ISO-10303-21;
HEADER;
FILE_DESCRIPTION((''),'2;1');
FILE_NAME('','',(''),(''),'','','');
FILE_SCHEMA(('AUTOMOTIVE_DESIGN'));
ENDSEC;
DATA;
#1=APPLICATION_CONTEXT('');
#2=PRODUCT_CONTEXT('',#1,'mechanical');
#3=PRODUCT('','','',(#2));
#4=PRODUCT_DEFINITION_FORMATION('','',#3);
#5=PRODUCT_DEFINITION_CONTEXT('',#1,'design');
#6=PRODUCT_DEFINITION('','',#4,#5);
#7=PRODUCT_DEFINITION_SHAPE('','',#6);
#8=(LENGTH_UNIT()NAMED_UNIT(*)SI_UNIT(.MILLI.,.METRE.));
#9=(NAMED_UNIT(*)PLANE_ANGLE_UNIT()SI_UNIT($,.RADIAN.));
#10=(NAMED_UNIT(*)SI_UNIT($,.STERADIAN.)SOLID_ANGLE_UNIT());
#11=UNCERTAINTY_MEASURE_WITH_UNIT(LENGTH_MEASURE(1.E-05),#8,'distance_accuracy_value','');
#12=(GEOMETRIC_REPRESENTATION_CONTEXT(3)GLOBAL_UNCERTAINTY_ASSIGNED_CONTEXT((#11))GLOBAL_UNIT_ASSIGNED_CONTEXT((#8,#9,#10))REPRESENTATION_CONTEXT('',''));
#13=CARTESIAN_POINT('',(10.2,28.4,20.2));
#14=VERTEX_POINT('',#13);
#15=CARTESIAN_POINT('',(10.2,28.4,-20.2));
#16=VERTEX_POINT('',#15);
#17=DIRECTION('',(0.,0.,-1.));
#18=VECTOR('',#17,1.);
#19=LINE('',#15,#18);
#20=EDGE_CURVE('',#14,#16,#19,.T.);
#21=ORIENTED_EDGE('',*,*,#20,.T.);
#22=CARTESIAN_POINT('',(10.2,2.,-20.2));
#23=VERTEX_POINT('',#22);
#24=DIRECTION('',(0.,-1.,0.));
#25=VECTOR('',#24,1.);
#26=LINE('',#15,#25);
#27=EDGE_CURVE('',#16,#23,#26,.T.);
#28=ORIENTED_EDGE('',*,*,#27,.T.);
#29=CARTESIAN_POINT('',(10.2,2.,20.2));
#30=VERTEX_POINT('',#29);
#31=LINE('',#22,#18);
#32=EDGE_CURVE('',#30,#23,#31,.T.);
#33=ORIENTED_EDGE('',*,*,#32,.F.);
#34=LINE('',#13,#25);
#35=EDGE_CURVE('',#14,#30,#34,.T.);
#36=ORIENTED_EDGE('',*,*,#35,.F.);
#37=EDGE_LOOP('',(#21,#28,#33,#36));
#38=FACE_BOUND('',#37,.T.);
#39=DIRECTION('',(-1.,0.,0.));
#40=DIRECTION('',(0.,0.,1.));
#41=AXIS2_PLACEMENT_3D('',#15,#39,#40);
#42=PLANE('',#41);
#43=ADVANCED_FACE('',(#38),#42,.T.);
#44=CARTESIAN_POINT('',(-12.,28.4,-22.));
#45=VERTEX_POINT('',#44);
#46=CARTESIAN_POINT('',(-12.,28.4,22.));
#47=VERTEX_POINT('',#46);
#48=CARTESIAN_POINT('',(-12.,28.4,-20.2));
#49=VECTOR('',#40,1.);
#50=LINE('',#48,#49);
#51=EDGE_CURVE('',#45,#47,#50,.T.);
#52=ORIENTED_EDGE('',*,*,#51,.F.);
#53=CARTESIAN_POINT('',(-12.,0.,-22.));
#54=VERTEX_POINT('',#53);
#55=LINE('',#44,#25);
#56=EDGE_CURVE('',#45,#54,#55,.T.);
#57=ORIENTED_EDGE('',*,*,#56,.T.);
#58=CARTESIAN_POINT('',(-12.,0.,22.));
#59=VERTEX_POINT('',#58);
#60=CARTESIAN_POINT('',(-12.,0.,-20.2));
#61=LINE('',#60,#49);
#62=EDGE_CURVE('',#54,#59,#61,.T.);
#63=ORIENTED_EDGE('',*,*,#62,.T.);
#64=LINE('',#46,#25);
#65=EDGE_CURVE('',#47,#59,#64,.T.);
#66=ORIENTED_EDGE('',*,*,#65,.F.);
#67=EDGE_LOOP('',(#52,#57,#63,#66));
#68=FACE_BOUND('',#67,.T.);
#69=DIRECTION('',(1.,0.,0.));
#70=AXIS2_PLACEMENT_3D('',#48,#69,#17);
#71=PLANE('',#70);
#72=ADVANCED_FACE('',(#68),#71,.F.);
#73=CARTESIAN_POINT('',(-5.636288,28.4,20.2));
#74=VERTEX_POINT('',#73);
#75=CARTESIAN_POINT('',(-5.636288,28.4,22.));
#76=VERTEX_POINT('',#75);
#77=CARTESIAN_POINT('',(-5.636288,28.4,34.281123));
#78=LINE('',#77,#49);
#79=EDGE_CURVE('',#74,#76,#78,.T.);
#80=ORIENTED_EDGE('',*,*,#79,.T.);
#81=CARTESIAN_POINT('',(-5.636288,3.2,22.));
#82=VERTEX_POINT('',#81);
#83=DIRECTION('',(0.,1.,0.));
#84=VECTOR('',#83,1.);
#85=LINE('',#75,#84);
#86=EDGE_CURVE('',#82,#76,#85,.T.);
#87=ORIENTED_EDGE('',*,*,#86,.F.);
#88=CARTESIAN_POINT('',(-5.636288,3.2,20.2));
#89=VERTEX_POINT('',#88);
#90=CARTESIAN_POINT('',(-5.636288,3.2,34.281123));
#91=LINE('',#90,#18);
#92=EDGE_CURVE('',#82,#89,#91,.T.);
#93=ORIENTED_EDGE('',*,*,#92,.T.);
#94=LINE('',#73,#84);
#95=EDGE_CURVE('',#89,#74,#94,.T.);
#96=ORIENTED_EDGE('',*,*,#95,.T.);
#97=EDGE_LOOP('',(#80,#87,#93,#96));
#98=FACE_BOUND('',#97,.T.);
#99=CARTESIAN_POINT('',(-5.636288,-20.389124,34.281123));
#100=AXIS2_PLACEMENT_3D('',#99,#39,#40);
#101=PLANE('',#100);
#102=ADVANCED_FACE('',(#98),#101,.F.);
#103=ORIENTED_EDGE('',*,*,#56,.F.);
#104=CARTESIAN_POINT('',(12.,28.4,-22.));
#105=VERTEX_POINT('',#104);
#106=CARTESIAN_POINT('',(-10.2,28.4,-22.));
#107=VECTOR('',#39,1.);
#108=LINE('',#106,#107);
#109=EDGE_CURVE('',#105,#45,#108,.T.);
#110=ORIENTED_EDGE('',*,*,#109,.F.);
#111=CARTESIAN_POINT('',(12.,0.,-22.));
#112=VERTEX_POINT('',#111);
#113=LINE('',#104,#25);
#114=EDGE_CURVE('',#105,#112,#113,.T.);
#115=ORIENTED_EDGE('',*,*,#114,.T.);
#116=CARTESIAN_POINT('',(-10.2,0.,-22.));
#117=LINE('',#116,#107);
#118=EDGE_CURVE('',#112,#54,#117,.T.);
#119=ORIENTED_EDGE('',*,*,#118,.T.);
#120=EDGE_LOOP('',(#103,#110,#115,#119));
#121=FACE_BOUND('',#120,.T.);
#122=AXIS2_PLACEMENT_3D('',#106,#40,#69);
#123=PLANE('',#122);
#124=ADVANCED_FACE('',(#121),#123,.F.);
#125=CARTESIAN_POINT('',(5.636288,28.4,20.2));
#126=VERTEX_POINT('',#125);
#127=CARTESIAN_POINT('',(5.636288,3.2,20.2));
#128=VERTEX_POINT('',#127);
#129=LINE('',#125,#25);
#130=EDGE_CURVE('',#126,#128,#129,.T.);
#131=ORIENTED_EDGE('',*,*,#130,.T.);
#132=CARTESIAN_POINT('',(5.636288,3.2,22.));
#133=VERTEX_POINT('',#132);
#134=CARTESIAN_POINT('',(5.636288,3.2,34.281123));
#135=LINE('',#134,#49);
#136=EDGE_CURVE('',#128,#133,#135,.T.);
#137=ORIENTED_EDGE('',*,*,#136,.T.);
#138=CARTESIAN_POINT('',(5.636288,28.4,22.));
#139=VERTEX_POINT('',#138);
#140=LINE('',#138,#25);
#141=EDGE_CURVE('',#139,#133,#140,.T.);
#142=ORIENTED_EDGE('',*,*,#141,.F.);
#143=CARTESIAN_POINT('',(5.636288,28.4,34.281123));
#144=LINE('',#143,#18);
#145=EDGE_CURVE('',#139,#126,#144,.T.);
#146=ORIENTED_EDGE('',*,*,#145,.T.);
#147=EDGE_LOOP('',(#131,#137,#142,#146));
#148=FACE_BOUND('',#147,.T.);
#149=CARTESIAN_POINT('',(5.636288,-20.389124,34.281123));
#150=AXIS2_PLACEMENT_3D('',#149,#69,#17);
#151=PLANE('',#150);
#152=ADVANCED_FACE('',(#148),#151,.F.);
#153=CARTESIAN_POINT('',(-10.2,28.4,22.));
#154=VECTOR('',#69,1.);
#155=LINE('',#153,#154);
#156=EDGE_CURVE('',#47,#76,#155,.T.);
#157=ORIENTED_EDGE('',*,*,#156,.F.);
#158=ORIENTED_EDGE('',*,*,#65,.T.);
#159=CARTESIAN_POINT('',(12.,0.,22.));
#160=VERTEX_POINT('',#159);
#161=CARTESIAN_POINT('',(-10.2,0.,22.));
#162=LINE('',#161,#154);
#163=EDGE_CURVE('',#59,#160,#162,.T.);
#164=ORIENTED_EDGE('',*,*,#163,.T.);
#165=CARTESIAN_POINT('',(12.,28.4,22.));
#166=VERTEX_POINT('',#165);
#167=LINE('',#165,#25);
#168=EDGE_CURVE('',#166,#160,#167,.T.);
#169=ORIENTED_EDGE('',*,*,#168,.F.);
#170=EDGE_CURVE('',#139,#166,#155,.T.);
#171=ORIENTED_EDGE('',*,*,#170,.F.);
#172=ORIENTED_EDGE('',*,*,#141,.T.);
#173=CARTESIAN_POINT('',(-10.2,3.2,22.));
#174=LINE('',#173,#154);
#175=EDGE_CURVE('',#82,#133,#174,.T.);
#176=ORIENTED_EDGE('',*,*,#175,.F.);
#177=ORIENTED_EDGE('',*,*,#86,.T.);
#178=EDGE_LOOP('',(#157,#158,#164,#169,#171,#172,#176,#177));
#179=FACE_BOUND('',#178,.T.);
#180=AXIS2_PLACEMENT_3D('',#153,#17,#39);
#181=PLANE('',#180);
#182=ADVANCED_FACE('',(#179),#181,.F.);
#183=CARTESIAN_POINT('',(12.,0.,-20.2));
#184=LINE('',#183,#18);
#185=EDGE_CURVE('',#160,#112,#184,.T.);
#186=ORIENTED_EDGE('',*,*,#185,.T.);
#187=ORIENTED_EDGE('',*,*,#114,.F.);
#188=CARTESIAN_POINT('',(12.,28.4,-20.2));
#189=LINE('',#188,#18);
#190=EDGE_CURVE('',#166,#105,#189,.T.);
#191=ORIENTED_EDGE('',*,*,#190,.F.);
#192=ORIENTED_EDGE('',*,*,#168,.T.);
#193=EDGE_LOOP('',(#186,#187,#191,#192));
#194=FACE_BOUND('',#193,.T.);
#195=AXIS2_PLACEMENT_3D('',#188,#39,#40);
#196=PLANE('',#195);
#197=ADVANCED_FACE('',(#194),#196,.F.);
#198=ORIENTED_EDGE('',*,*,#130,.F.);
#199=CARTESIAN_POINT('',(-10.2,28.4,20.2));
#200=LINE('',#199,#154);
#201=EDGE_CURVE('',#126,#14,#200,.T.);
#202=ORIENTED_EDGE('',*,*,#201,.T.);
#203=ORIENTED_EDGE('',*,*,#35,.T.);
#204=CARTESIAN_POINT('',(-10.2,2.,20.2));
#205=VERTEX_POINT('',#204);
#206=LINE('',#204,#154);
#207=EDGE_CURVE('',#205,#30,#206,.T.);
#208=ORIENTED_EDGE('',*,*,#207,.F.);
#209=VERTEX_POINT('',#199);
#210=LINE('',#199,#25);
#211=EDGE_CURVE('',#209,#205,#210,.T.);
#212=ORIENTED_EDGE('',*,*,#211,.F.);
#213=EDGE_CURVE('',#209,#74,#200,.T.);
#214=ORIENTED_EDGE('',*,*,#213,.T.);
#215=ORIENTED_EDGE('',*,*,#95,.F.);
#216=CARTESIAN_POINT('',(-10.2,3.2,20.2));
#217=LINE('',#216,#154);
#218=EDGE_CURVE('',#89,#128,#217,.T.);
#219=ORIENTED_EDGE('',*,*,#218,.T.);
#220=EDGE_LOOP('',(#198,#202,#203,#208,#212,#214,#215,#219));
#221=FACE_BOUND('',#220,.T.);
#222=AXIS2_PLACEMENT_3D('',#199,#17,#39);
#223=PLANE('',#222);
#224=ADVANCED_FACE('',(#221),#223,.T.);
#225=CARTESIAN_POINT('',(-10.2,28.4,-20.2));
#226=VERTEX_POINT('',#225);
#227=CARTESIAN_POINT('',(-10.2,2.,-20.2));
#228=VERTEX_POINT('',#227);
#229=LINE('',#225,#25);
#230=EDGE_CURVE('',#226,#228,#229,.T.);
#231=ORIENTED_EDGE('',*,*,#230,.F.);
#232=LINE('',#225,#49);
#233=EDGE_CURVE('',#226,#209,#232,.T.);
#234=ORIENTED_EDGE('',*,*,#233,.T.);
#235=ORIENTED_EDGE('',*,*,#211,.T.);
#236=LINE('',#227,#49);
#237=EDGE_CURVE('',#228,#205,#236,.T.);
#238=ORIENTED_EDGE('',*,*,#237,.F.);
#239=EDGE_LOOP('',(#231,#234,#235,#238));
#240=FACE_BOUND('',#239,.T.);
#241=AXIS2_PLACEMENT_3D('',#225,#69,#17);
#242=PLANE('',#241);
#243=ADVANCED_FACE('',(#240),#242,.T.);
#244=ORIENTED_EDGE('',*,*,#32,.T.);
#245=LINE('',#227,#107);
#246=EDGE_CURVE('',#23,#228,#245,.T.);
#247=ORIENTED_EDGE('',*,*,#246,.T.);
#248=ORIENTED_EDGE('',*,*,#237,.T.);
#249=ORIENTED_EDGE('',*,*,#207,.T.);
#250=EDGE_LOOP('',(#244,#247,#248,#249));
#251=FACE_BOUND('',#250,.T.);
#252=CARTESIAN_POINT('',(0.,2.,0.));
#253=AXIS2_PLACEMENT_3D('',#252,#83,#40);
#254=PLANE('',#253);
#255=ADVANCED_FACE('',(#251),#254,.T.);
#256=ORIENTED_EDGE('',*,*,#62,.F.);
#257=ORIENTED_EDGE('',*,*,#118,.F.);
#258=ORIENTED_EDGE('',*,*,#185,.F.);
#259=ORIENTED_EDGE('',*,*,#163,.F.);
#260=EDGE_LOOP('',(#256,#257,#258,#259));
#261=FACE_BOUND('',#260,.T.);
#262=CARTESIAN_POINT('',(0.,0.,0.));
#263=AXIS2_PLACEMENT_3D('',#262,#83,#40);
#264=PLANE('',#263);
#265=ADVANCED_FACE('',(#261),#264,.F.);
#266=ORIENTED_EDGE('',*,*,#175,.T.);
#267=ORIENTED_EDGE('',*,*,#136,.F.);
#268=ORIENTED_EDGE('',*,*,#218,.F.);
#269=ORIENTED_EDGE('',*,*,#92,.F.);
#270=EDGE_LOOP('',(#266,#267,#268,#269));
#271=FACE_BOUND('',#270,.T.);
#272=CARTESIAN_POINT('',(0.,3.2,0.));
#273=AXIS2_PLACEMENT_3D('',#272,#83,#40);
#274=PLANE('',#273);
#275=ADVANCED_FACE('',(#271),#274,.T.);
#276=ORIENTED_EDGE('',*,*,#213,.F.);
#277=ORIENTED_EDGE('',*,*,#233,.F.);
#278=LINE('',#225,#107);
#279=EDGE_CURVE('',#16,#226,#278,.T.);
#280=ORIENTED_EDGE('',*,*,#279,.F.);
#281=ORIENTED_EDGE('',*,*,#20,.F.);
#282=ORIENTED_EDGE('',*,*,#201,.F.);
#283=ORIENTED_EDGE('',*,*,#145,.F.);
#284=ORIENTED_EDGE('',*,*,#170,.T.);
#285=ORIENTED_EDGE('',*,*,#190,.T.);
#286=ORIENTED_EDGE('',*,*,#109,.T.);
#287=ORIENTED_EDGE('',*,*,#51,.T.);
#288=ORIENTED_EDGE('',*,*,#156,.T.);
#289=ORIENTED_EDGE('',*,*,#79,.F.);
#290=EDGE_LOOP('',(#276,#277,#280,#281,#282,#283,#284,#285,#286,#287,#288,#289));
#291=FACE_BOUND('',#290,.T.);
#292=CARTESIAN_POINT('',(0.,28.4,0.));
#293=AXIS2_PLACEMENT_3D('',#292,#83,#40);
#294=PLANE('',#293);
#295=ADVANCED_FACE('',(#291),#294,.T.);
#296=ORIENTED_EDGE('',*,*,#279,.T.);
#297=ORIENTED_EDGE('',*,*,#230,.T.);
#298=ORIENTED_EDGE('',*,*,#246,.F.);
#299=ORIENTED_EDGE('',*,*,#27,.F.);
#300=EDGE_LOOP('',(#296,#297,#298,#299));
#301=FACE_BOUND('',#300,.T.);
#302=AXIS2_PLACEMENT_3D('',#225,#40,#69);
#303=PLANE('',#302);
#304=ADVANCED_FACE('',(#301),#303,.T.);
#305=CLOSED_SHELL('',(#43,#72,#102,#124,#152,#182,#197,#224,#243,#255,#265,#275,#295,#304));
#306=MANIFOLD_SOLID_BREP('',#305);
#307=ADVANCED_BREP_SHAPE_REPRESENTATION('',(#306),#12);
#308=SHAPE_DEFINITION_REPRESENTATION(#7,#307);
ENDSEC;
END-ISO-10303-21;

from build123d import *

# Parameters (mm, degrees)
SKETCH1_W           = 24
SKETCH1_H           = 44
SKETCH1_W_2         = 20.4
SKETCH1_H_2         = 40.4
EXTRUDE_THIN1_DEPTH = 28.4
SKETCH1_2_W         = 20.4
SKETCH1_2_H         = 40.4
BOSS_EXTRUDE1_DEPTH = 2
SKETCH3_W           = 11.27257677
SKETCH3_H           = 19.344298407
CUT_EXTRUDE1_DEPTH  = 25.2


with BuildPart() as part:
    # Sketch1 → Extrude-Thin1 (new body)
    with BuildSketch(Plane(origin=(0, 0, 0), x_dir=(1, 0, 0), z_dir=(0, 1, 0))):
        Rectangle(SKETCH1_W, SKETCH1_H)
        Rectangle(SKETCH1_W_2, SKETCH1_H_2, mode=Mode.SUBTRACT)
    extrude(amount=EXTRUDE_THIN1_DEPTH)

    # Sketch1<2> → Boss-Extrude1 (add)
    with BuildSketch(Plane(origin=(0, 0, 0), x_dir=(1, 0, 0), z_dir=(0, 1, 0))):
        Rectangle(SKETCH1_2_W, SKETCH1_2_H)
    extrude(amount=BOSS_EXTRUDE1_DEPTH)

    # Sketch3 → Cut-Extrude1 (cut)
    with BuildSketch(Plane(origin=(0, 28.4, 0), x_dir=(1, 0, 0), z_dir=(0, 1, 0))):
        with Locations((0, -24.608973671)):
            Rectangle(SKETCH3_W, SKETCH3_H)
    extrude(amount=-CUT_EXTRUDE1_DEPTH, mode=Mode.SUBTRACT)


solid = part.part
